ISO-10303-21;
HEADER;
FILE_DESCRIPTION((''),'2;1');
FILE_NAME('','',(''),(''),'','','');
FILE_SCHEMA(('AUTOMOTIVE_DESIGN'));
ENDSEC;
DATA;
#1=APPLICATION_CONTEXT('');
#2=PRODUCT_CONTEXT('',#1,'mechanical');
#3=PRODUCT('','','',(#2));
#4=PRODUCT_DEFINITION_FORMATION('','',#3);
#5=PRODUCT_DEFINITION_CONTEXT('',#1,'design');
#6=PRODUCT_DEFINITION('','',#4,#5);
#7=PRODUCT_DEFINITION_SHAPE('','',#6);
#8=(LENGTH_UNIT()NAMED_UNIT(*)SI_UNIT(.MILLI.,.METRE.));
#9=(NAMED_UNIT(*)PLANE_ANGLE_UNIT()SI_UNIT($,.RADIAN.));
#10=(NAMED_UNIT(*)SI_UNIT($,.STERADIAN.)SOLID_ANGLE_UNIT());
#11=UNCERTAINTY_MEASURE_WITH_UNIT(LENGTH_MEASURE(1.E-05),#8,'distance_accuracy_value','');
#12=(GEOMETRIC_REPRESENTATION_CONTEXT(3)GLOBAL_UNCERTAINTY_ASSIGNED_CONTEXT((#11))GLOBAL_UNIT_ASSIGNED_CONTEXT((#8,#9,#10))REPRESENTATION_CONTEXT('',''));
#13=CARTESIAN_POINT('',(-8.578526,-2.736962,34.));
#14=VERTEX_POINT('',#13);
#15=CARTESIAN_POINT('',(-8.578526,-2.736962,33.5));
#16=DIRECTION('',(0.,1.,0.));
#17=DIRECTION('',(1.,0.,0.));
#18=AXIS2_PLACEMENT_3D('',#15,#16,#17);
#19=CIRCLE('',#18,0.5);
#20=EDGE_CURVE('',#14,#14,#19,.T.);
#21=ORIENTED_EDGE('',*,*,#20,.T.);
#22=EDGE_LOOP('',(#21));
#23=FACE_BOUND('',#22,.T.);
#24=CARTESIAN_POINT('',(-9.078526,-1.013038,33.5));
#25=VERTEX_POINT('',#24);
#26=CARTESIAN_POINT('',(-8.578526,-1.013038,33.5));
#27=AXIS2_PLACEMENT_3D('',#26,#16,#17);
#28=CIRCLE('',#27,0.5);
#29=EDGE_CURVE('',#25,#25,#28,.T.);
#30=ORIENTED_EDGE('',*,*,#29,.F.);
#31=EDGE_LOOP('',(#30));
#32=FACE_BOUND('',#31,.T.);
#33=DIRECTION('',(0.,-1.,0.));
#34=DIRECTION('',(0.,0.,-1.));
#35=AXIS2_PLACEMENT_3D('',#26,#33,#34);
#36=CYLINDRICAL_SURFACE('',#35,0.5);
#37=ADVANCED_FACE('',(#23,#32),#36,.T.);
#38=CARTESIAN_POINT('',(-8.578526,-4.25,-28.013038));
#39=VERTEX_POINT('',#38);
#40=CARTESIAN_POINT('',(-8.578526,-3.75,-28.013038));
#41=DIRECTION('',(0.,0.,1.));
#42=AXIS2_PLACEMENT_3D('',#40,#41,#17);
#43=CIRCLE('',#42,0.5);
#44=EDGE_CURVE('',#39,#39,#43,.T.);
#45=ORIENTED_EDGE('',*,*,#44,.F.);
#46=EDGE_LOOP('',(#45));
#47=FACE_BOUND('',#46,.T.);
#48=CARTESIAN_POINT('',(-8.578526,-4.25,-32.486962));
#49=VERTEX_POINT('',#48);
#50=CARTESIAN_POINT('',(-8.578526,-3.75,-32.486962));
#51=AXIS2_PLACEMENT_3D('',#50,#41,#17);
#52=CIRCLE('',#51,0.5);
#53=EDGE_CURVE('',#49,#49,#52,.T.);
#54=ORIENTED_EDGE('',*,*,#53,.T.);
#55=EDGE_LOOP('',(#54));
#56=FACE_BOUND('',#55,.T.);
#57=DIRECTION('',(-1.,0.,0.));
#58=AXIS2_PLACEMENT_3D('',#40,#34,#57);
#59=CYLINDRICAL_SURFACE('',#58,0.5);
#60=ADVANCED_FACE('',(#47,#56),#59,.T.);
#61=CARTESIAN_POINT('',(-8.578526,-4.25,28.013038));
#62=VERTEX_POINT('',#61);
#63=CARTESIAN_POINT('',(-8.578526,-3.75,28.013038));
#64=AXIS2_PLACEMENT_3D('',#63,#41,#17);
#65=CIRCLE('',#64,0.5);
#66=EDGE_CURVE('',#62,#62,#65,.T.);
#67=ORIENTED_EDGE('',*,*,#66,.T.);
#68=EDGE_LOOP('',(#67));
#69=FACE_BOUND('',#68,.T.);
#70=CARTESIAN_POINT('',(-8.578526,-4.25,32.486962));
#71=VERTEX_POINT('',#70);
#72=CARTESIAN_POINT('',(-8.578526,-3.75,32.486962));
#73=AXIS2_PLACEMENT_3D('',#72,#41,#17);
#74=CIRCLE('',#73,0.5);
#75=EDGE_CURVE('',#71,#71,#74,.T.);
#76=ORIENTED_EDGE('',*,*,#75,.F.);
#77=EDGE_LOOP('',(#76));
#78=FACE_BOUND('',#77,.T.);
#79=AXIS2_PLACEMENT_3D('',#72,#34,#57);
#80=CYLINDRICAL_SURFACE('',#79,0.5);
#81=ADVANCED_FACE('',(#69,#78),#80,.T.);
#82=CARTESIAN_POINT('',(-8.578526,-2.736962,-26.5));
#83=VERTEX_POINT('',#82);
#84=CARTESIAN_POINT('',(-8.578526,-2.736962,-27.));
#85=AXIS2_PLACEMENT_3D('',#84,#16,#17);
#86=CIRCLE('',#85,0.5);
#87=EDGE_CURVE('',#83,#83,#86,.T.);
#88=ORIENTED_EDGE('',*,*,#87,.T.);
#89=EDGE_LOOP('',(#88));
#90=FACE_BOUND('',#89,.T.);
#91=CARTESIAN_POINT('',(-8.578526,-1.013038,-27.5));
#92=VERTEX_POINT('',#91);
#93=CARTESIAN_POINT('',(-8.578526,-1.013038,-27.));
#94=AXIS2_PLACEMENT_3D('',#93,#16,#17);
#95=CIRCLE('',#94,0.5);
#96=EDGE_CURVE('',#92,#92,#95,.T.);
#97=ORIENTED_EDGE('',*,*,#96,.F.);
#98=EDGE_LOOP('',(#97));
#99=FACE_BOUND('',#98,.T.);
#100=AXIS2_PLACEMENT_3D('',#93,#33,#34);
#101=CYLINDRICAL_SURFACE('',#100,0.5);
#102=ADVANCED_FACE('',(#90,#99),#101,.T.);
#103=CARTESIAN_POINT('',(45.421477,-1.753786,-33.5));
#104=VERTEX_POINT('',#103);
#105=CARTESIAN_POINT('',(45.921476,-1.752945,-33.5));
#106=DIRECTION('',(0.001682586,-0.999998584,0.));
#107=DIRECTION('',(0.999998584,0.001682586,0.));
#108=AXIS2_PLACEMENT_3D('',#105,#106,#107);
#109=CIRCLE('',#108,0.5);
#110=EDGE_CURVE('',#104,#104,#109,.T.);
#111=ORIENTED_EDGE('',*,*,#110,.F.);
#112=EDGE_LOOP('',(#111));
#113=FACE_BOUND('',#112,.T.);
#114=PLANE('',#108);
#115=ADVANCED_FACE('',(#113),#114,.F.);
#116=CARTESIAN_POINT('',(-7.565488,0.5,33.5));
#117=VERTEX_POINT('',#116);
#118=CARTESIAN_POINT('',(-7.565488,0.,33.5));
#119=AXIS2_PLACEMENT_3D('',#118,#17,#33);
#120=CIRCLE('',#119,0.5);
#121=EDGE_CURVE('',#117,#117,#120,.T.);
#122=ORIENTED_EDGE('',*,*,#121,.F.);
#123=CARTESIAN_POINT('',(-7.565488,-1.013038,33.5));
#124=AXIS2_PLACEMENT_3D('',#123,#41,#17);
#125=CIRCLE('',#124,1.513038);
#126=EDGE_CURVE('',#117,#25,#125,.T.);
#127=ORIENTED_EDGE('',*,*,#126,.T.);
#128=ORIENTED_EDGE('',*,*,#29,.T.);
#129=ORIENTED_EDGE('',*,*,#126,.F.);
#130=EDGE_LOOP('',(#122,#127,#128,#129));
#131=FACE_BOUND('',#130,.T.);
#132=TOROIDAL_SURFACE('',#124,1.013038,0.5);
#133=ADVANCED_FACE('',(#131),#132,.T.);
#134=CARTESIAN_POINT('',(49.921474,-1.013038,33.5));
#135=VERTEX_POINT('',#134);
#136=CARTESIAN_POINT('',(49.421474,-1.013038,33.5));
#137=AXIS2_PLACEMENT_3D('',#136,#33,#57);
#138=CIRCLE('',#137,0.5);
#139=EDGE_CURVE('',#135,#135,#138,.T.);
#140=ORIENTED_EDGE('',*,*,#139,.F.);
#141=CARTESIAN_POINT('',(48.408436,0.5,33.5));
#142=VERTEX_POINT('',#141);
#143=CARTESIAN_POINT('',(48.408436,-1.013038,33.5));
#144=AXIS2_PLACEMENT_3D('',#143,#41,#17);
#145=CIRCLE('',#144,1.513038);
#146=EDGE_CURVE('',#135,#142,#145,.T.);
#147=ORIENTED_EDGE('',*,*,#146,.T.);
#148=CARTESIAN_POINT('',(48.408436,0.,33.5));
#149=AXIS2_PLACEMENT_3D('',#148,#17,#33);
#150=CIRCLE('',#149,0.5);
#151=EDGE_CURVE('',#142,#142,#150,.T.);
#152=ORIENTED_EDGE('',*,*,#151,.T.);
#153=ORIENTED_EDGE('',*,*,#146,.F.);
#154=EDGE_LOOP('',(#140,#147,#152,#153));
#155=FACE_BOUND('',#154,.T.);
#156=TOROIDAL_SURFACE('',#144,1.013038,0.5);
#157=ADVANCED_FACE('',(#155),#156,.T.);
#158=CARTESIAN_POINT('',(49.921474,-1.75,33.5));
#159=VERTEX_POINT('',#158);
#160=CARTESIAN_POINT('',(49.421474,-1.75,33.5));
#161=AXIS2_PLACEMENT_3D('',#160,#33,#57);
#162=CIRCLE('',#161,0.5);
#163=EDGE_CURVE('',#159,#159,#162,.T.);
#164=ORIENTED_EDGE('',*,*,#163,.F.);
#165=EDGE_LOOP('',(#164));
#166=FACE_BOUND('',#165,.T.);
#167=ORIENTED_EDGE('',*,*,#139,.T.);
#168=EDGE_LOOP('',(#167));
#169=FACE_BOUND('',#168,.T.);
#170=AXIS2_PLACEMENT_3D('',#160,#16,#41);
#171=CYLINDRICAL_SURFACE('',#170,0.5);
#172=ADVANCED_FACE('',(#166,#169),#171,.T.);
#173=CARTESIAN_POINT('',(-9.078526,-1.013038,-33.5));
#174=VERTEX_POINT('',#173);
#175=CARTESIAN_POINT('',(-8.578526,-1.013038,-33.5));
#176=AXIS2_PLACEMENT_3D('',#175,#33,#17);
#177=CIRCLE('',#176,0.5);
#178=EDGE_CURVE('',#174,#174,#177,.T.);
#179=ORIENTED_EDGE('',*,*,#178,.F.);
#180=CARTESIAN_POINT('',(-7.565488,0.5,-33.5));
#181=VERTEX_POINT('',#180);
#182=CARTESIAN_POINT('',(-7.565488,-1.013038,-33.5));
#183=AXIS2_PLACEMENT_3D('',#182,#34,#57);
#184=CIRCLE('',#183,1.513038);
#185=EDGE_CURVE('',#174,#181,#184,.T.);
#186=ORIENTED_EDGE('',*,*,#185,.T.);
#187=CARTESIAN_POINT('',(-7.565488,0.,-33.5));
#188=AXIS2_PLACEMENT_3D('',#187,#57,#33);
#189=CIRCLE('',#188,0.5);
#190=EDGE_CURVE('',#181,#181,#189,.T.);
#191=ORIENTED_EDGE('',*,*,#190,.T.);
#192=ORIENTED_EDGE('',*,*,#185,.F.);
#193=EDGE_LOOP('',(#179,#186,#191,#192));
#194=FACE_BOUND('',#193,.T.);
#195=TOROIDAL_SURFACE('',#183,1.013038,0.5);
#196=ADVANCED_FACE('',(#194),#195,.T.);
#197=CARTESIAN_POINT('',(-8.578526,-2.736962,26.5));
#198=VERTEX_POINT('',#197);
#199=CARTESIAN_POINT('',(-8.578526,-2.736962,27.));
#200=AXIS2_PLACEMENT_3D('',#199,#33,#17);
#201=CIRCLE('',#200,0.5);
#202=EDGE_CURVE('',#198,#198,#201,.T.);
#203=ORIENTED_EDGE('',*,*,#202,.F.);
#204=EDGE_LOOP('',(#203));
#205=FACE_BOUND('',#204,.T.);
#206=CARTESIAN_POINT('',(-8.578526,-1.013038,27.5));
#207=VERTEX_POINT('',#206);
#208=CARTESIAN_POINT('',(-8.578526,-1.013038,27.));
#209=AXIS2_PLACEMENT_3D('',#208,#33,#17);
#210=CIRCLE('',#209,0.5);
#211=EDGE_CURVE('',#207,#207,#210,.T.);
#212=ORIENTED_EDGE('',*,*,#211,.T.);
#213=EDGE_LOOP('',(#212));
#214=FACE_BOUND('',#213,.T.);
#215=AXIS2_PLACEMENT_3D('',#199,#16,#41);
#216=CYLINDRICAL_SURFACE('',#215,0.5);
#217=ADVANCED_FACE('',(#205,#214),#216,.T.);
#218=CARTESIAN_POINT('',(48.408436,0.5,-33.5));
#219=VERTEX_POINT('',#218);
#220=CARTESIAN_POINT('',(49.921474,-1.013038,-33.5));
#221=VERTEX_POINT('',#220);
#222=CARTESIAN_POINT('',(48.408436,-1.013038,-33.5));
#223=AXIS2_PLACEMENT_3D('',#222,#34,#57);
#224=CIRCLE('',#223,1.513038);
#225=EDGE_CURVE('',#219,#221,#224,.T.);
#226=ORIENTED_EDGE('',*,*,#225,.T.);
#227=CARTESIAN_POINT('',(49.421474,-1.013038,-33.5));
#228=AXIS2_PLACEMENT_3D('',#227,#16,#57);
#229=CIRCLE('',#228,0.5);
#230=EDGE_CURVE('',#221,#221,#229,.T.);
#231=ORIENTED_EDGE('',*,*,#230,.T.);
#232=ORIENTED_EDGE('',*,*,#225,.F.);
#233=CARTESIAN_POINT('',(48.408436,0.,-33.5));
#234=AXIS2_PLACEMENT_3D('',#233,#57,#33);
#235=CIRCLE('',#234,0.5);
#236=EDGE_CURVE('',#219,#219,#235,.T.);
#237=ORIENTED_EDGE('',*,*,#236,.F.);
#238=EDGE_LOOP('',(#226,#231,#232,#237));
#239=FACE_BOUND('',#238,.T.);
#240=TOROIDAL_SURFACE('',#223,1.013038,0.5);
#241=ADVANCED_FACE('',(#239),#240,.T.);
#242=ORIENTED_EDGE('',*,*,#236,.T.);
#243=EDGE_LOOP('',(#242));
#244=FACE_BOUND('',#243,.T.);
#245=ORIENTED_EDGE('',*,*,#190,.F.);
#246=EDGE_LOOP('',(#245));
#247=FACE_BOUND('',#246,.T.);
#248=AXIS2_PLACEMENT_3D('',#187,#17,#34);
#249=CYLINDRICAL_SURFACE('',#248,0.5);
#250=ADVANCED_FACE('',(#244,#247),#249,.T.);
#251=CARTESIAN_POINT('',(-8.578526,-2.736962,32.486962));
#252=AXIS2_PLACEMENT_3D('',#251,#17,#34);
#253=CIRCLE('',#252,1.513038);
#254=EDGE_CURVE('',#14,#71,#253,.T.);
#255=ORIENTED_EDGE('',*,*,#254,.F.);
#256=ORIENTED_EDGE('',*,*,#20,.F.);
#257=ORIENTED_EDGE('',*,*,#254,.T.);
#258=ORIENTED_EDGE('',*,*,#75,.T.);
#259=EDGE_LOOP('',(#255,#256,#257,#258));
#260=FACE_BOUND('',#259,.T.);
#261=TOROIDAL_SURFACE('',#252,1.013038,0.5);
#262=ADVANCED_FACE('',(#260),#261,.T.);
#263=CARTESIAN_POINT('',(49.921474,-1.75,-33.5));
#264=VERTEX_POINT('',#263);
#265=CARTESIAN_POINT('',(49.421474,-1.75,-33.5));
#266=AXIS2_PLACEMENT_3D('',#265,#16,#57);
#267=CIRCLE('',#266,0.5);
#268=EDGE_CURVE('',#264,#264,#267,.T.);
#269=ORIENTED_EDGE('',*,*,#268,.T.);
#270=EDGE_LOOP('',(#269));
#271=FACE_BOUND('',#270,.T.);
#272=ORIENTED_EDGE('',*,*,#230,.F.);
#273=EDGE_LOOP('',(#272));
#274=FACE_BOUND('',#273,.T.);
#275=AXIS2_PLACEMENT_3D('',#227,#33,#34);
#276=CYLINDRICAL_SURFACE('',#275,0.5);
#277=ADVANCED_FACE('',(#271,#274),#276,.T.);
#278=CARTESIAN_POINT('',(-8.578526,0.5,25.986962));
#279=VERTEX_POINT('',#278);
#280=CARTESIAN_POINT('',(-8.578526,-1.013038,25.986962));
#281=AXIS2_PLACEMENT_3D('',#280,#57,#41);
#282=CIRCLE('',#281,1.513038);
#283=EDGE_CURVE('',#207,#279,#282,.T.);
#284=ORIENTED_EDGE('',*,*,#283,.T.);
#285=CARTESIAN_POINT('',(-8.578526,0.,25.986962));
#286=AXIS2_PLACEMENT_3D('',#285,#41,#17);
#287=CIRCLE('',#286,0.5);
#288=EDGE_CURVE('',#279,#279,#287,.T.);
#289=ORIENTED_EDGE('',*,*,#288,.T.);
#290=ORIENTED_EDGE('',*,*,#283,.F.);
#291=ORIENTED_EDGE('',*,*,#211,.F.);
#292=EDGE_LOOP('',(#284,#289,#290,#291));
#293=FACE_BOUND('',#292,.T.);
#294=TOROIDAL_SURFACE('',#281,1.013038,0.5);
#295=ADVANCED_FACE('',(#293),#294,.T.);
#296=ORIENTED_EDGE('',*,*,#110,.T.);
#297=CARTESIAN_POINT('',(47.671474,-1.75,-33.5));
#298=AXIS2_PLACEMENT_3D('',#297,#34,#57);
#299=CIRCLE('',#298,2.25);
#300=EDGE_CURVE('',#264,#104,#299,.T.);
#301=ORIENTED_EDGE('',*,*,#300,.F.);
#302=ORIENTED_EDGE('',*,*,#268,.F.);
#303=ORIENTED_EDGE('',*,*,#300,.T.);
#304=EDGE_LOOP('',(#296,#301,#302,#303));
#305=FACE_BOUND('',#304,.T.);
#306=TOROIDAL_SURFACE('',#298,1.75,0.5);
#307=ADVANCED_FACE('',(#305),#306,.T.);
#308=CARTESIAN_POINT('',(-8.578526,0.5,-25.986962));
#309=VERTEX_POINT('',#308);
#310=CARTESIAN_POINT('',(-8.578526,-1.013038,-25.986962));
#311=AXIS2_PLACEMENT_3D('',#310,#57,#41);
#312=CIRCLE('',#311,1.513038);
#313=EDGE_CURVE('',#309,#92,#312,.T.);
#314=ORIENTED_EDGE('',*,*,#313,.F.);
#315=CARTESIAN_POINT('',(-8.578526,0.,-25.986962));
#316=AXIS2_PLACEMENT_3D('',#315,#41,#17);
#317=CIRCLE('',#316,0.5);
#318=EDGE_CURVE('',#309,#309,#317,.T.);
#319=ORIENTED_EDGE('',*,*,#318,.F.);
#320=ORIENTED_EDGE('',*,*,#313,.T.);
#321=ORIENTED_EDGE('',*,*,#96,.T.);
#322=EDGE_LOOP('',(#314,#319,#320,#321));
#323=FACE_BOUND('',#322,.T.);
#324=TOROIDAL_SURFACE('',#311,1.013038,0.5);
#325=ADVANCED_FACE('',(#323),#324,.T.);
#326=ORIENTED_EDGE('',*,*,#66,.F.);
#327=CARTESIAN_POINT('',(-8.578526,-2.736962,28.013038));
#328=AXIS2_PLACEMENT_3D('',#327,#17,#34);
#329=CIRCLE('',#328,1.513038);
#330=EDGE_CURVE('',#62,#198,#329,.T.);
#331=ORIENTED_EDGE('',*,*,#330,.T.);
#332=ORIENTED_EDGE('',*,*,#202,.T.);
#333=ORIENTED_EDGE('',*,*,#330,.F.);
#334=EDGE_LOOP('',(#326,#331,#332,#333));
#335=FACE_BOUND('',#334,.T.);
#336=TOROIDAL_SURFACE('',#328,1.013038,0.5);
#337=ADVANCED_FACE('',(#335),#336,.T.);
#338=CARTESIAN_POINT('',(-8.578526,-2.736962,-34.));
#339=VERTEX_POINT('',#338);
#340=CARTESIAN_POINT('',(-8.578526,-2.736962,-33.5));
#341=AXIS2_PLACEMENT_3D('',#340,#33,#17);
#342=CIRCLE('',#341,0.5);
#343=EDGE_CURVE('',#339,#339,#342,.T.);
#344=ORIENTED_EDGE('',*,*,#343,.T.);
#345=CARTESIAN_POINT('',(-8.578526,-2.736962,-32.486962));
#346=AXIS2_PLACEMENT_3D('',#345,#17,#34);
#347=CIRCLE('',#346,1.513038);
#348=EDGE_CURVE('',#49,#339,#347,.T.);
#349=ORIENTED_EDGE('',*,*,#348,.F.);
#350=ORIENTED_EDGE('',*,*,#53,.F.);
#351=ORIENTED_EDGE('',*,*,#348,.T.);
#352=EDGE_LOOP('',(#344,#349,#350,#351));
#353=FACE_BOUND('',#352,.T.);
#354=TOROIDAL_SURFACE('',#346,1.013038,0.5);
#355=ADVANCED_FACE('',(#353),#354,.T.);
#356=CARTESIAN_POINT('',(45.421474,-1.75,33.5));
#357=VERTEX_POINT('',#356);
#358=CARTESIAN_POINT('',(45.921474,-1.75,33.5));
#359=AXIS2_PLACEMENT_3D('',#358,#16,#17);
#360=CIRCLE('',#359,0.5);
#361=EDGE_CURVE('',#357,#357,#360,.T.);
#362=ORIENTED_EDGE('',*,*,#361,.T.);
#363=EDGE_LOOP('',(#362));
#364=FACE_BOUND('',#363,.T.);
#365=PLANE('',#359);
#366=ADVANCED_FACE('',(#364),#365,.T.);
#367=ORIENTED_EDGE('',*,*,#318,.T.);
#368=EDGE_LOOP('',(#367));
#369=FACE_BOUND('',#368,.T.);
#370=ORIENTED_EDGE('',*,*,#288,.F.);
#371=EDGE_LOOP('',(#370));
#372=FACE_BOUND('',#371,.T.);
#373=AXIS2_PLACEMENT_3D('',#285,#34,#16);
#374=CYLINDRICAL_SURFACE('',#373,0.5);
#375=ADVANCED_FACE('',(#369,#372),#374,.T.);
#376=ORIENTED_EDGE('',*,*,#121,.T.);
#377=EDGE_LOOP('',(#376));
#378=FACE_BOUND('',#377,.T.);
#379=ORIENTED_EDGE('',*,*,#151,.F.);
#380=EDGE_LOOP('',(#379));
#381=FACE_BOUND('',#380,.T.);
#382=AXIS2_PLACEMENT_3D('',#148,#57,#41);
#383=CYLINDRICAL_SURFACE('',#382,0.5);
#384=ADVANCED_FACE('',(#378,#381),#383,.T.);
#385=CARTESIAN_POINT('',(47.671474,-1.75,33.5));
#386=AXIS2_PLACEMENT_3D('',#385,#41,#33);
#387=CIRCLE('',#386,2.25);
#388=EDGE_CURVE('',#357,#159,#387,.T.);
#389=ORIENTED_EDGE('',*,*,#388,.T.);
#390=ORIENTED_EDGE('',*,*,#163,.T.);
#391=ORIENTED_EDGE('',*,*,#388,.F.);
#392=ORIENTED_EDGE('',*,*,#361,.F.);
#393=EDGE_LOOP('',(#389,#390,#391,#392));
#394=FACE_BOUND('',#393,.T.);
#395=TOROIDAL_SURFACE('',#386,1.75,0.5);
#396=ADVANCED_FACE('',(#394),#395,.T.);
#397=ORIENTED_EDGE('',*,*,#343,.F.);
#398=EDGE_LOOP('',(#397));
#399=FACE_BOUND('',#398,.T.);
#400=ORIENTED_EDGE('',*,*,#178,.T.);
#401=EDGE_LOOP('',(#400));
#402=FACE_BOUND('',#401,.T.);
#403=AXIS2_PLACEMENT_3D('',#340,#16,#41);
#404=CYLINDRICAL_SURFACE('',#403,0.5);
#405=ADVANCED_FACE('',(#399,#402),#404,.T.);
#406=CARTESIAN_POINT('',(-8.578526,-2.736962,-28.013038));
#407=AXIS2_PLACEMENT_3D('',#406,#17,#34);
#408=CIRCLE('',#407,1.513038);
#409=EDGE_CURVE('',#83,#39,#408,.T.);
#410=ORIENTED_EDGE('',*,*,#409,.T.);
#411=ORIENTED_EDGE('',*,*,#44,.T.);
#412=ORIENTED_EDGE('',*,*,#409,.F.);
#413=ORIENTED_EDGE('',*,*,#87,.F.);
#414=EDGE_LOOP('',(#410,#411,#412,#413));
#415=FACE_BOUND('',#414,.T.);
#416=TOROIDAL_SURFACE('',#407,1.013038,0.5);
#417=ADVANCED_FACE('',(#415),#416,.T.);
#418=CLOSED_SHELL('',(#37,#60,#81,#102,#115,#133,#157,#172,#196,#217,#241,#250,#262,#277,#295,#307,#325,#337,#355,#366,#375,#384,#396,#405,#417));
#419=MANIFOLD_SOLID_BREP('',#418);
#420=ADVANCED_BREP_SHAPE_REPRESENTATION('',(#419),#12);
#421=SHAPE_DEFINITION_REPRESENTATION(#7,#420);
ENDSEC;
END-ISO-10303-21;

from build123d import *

# Parameters (mm, degrees)
SKETCH_1_R = 0.5


with BuildPart() as part:
    # 扫描1: sweep along a curve in space
    with BuildLine() as sweep_1_path:
        ThreePointArc((45.921476331, -1.752944525, -33.5), (47.672946117, -3.499999381, -33.5), (49.421473853, -1.75, -33.5))
        Line((49.421473853, -1.013038035, -33.5), (49.421473853, -1.75, -33.5))
        ThreePointArc((49.421473853, -1.013038035, -33.5), (49.124761883, -0.296711971, -33.5), (48.408435819, 0, -33.5))
        Line((-7.565488112, 0, -33.5), (48.408435819, 0, -33.5))
        ThreePointArc((-8.578526147, -1.013038035, -33.5), (-8.281814176, -0.296711971, -33.5), (-7.565488112, 0, -33.5))
        Line((-8.578526147, -1.013038035, -33.5), (-8.578526147, -2.736961965, -33.5))
        ThreePointArc((-8.578526147, -3.75, -32.486961965), (-8.578526147, -3.453288029, -33.203288029), (-8.578526147, -2.736961965, -33.5))
        Line((-8.578526147, -3.75, -32.486961965), (-8.578526147, -3.75, -28.013038035))
        ThreePointArc((-8.578526147, -2.736961965, -27), (-8.578526147, -3.453288029, -27.296711971), (-8.578526147, -3.75, -28.013038035))
        Line((-8.578526147, -2.736961965, -27), (-8.578526147, -1.013038035, -27))
        ThreePointArc((-8.578526147, 0, -25.986961965), (-8.578526147, -0.296711971, -26.703288029), (-8.578526147, -1.013038035, -27))
        Line((-8.578526147, 0, -25.986961965), (-8.578526147, 0, 25.986961965))
        ThreePointArc((-8.578526147, -1.013038035, 27), (-8.578526147, -0.296711971, 26.703288029), (-8.578526147, 0, 25.986961965))
        Line((-8.578526147, -2.736961965, 27), (-8.578526147, -1.013038035, 27))
        ThreePointArc((-8.578526147, -3.75, 28.013038035), (-8.578526147, -3.453288029, 27.296711971), (-8.578526147, -2.736961965, 27))
        Line((-8.578526147, -3.75, 28.013038035), (-8.578526147, -3.75, 32.486961965))
        ThreePointArc((-8.578526147, -2.736961965, 33.5), (-8.578526147, -3.453288029, 33.203288029), (-8.578526147, -3.75, 32.486961965))
        Line((-8.578526147, -1.013038035, 33.5), (-8.578526147, -2.736961965, 33.5))
        ThreePointArc((-8.578526147, -1.013038035, 33.5), (-8.281814176, -0.296711971, 33.5), (-7.565488112, 0, 33.5))
        Line((-7.565488112, 0, 33.5), (48.408435819, 0, 33.5))
        ThreePointArc((48.408435819, 0, 33.5), (49.124761883, -0.296711971, 33.5), (49.421473853, -1.013038035, 33.5))
        Line((49.421473853, -1.013038035, 33.5), (49.421473853, -1.75, 33.5))
        ThreePointArc((45.921473853, -1.75, 33.5), (47.671473853, -3.5, 33.5), (49.421473853, -1.75, 33.5))
    # 草图1 → 扫描1 (sweep)
    with BuildSketch(Plane.XY):
        with Locations((-8.578526147, 0)):
            Circle(SKETCH_1_R)
    sweep(path=sweep_1_path.line)


solid = part.part
